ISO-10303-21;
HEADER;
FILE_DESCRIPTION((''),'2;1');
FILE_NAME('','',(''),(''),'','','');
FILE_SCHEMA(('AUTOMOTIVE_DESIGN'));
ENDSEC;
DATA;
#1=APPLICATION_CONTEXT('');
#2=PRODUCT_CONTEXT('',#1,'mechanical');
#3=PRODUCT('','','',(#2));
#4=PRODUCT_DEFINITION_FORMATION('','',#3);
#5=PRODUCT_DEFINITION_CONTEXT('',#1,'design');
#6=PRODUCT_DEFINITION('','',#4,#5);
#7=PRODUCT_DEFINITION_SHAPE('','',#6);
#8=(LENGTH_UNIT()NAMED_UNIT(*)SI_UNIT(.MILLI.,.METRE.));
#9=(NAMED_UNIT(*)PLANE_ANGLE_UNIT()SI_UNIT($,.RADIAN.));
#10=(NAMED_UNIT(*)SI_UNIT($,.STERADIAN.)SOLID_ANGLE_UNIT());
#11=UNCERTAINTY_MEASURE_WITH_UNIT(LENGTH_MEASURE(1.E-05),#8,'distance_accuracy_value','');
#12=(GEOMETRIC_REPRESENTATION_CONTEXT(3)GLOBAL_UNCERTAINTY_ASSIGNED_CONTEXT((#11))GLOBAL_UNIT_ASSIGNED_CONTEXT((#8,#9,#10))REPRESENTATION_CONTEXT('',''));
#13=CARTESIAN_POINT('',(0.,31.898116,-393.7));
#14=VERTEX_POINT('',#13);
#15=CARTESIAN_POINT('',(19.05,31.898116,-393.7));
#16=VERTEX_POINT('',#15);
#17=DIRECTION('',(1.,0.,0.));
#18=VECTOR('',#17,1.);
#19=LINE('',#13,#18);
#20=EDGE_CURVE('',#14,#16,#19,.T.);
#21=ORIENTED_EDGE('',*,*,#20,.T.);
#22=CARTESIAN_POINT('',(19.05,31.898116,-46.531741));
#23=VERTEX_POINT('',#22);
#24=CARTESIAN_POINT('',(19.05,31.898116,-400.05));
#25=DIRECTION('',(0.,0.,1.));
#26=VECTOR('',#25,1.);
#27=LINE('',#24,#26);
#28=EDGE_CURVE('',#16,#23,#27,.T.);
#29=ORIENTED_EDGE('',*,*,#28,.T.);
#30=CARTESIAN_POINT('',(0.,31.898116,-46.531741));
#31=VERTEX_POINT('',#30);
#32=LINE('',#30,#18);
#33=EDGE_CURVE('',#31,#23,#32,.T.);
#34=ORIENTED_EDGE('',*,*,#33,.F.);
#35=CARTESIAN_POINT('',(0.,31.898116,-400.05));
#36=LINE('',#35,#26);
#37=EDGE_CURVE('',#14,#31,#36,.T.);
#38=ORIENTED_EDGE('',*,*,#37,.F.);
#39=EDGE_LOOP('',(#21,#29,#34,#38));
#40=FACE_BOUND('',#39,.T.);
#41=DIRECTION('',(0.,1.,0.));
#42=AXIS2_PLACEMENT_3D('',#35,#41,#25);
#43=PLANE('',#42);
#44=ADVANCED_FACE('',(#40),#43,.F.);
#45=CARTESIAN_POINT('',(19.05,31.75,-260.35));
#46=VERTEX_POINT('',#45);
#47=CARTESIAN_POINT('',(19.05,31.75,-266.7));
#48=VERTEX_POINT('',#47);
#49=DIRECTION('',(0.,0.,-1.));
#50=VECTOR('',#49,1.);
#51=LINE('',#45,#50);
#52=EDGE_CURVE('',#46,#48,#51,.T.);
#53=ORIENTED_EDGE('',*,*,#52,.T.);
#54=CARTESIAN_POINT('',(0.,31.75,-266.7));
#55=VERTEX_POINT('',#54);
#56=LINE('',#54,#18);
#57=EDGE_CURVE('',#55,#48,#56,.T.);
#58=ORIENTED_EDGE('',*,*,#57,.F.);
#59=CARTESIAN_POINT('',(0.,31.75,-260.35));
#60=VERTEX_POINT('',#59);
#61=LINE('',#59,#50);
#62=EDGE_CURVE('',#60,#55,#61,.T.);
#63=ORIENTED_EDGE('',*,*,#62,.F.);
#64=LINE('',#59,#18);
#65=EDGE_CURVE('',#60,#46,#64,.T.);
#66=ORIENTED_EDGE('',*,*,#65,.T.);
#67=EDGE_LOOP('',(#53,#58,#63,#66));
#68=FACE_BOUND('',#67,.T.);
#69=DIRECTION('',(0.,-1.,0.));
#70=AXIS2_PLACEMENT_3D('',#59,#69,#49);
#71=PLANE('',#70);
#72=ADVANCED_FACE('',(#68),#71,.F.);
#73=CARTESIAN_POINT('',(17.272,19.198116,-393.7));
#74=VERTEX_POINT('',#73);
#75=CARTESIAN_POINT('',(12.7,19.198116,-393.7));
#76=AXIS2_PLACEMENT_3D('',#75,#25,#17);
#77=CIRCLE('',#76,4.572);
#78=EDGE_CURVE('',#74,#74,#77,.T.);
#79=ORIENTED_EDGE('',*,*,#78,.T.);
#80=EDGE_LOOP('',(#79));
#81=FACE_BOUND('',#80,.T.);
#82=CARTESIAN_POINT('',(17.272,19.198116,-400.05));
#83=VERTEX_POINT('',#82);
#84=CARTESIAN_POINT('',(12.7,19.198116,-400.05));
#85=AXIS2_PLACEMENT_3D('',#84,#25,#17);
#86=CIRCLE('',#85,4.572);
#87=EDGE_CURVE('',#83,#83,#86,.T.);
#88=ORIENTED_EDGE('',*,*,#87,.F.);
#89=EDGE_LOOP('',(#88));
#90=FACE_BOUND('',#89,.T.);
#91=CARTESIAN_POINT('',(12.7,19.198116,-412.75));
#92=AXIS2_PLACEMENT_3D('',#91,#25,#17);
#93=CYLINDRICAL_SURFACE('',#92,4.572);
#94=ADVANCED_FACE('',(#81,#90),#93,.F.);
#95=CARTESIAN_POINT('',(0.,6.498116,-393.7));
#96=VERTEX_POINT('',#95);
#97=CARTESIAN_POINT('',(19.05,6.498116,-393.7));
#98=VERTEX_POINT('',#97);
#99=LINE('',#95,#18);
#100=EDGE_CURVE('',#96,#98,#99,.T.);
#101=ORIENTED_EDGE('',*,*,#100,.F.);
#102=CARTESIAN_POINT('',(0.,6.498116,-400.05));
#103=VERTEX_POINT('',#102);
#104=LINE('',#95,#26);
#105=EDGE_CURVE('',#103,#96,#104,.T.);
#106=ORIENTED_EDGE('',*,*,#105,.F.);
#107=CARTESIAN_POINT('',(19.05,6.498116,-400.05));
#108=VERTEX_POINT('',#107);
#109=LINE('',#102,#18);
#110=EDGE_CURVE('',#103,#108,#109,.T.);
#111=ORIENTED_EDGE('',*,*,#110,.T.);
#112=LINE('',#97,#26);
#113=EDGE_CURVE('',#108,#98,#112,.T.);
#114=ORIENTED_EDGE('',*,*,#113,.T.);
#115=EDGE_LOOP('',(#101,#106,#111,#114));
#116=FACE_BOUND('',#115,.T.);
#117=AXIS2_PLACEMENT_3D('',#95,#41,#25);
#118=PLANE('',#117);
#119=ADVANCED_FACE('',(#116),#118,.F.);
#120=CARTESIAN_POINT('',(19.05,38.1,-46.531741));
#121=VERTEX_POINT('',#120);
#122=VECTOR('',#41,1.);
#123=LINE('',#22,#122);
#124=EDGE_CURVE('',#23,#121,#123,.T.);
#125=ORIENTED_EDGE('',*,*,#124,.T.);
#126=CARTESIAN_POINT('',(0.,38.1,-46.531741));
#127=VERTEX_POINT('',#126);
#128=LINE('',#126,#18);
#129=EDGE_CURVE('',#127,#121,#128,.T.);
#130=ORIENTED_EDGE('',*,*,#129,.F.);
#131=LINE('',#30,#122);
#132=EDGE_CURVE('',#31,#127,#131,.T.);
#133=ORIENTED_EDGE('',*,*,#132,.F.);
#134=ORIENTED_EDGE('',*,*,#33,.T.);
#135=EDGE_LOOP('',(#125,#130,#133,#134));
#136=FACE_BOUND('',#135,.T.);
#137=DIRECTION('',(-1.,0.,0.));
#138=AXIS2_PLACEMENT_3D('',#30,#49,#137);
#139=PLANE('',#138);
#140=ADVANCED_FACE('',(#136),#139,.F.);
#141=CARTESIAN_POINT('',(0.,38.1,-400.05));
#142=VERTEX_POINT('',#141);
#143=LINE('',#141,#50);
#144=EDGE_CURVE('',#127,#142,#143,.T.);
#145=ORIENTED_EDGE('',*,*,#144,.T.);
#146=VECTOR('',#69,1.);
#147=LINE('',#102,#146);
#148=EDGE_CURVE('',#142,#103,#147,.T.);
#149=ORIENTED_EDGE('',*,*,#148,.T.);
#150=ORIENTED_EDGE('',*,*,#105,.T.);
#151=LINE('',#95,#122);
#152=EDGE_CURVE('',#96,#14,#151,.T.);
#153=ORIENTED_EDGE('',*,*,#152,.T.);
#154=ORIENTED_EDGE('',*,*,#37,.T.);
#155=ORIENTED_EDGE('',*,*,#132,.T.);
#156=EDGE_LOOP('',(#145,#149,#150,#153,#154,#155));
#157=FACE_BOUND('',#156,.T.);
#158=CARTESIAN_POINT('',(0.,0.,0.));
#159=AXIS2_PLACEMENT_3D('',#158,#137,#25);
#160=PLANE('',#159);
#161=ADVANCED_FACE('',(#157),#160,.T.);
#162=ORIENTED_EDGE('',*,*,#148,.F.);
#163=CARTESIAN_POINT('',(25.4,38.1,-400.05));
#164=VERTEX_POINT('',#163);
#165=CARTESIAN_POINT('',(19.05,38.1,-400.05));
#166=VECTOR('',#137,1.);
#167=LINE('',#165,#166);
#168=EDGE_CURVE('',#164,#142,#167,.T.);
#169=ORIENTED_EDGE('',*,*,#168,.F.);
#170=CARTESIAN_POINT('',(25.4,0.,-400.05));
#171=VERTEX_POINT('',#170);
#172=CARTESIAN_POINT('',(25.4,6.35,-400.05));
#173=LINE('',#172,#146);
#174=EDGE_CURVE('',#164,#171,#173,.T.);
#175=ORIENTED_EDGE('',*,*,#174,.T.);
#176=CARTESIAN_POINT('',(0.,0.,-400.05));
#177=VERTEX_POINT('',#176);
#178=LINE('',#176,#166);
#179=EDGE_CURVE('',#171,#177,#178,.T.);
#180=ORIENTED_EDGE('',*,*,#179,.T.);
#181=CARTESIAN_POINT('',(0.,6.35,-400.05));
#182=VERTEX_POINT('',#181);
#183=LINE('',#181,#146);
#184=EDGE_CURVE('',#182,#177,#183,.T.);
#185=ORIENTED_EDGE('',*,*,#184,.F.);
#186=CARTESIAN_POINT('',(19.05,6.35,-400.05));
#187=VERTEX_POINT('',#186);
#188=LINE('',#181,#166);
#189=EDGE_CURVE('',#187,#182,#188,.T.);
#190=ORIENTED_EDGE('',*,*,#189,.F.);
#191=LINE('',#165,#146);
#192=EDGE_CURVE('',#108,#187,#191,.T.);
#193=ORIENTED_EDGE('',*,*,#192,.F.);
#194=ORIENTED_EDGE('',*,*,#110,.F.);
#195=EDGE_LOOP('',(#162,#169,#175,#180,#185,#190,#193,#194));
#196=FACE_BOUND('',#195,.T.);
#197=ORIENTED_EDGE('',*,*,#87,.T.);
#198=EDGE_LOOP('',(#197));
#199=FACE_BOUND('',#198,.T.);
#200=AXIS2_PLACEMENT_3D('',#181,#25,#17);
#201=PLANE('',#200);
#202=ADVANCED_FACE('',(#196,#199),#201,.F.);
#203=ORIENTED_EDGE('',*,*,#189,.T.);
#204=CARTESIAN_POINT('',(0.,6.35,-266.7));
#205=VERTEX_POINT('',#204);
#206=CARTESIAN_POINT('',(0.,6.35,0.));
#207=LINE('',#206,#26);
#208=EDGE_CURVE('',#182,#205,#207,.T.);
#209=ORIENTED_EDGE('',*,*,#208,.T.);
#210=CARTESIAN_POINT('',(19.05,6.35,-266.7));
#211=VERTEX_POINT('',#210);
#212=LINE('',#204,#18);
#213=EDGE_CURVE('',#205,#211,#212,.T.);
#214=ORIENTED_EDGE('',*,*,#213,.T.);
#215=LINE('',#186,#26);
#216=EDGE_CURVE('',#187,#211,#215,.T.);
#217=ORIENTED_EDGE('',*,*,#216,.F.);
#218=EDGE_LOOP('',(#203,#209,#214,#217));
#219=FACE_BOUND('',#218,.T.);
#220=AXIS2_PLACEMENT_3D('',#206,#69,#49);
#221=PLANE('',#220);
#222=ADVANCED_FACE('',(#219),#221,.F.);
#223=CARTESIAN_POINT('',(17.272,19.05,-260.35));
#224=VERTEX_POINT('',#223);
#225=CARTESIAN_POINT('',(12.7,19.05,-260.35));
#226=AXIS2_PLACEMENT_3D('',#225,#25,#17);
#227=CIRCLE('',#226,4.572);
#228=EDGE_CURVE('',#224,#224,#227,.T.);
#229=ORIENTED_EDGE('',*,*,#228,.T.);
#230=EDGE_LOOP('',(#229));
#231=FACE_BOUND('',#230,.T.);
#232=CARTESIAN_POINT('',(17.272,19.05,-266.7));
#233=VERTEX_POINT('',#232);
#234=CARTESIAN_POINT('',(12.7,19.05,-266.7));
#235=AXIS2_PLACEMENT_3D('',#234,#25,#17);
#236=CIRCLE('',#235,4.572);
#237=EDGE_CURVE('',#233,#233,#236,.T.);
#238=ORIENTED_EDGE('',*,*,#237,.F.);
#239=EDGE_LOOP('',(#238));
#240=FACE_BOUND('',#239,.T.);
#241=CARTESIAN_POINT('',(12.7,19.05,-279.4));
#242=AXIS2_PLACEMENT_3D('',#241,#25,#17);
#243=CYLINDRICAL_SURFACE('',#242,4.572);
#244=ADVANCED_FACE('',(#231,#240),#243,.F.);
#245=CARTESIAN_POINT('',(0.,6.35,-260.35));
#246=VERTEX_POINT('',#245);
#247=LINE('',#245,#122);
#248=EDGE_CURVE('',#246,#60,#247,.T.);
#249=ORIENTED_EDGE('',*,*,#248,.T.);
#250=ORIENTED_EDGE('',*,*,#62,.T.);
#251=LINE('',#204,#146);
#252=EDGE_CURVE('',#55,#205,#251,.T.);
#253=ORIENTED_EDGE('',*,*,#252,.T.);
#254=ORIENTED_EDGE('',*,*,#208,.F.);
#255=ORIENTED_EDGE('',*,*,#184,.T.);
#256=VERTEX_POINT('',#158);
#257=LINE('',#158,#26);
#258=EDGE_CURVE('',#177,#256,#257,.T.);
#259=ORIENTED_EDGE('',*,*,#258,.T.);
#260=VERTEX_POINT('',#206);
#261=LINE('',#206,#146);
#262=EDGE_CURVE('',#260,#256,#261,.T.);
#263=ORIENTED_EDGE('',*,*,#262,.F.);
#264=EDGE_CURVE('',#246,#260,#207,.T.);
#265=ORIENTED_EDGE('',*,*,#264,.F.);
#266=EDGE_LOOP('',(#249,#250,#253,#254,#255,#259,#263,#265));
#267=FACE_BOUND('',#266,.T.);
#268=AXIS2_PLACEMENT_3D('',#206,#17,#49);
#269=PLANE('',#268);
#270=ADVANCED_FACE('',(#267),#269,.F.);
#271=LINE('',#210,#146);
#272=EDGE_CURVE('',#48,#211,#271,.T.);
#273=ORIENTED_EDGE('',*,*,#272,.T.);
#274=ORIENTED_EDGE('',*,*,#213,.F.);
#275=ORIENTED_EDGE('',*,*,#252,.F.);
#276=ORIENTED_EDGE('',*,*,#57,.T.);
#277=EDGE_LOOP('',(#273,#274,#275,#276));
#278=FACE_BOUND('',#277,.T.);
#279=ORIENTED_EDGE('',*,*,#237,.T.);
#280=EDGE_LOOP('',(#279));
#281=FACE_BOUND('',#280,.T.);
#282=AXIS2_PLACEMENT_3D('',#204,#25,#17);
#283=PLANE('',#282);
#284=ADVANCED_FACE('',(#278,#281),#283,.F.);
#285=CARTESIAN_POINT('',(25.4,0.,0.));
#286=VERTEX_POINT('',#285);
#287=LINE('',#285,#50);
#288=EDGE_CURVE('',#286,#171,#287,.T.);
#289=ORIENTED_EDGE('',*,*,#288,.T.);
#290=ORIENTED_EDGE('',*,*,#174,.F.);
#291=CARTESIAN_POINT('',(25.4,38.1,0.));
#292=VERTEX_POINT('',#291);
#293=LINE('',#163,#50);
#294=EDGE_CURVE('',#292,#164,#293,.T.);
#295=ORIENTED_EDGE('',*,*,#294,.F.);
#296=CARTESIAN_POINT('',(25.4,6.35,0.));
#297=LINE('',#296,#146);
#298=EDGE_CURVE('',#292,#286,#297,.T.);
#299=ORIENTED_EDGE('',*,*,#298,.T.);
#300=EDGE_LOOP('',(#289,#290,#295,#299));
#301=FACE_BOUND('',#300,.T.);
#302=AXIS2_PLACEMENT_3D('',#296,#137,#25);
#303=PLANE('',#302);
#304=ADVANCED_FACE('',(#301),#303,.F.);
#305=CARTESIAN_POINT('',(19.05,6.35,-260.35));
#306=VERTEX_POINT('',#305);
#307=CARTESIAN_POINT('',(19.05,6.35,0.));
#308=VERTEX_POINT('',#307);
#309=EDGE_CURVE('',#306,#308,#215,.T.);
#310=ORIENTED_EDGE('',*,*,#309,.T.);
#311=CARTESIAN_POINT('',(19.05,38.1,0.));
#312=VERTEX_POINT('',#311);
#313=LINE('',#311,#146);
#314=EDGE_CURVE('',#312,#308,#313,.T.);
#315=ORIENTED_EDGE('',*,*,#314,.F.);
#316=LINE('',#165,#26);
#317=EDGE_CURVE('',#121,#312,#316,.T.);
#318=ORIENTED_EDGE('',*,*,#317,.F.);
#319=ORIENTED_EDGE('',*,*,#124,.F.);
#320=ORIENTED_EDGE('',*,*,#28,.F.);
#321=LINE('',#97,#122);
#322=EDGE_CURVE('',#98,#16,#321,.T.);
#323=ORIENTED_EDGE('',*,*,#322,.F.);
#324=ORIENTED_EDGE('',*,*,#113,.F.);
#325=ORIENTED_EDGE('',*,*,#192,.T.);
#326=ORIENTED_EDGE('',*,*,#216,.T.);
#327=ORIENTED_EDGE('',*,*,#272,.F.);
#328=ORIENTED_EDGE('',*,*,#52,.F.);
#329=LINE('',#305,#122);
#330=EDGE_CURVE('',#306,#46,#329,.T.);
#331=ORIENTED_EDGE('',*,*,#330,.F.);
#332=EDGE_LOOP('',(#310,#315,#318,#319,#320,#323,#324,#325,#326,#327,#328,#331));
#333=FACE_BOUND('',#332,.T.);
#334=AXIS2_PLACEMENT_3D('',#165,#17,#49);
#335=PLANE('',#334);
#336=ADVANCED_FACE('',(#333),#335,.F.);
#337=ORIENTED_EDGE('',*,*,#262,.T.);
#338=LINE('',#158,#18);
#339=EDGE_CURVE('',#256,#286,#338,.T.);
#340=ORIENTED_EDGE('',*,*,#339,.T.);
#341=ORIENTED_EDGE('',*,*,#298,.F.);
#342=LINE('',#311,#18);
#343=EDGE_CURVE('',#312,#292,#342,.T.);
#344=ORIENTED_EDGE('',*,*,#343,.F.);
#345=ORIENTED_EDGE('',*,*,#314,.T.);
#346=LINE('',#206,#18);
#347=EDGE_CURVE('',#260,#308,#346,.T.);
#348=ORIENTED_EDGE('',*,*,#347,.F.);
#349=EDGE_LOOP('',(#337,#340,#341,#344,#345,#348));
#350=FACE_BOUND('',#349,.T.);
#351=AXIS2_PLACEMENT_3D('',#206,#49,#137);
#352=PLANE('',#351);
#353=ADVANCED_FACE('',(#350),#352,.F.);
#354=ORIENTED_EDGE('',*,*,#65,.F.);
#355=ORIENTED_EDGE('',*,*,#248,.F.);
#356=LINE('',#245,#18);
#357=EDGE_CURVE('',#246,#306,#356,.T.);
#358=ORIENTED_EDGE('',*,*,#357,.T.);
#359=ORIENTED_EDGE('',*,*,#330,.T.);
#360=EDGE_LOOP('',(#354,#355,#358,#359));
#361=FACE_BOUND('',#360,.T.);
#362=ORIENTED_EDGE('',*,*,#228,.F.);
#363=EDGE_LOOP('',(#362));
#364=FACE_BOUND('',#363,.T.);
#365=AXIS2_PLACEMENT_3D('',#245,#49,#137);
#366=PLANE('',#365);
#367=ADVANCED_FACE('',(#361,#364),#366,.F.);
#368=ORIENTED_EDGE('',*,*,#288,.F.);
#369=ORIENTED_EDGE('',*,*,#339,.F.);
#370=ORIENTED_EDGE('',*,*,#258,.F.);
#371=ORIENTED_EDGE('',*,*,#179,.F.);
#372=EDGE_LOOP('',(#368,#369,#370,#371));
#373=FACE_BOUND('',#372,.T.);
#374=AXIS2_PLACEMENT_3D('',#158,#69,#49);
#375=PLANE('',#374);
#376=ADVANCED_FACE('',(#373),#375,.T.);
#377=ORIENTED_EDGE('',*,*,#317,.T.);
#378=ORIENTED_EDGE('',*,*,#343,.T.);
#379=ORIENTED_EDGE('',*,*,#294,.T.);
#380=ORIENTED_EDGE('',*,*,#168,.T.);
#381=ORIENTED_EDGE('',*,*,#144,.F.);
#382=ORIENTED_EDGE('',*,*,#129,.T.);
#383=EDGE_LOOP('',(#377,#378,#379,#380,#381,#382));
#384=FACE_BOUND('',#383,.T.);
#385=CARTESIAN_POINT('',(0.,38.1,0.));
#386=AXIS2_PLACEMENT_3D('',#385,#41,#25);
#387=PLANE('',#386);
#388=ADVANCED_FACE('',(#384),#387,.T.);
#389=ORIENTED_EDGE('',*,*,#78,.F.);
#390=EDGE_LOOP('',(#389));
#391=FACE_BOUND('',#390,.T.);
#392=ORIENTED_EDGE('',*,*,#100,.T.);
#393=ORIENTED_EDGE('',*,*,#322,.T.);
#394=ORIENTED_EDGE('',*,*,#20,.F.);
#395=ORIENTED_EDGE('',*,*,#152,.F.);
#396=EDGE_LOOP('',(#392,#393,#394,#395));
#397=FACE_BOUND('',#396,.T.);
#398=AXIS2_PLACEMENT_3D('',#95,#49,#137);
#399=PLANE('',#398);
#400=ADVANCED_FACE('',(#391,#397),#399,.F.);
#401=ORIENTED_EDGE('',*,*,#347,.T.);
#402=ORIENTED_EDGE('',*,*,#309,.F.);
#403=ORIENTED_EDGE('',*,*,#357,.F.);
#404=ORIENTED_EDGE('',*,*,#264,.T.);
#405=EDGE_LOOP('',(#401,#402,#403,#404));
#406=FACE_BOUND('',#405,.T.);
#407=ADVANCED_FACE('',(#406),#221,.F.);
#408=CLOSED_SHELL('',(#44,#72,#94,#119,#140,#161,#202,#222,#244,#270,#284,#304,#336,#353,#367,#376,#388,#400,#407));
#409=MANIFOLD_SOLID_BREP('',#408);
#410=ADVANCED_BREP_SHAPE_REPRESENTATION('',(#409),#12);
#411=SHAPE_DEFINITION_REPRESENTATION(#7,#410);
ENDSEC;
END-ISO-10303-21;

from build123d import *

# Parameters (mm, degrees)
SKETCH2_W           = 25.4
SKETCH2_H           = 400.05
BOSS_EXTRUDE1_DEPTH = 6.35
SKETCH4_W           = 6.35
SKETCH4_H           = 400.05
BOSS_EXTRUDE2_DEPTH = 31.75
SKETCH10_W          = 6.35
SKETCH10_H          = 25.4
BOSS_EXTRUDE6_DEPTH = 19.05
SKETCH12_R          = 4.572
CUT_EXTRUDE3_DEPTH  = 19.05
SKETCH14_W          = 6.35
SKETCH14_H          = 25.4
BOSS_EXTRUDE7_DEPTH = 19.05
SKETCH15_R          = 4.572
CUT_EXTRUDE4_DEPTH  = 19.05
SKETCH16_W          = 353.518259368
SKETCH16_H          = 6.201883549
BOSS_EXTRUDE8_DEPTH = 19.05


with BuildPart() as part:
    # Sketch2 → Boss-Extrude1 (new body)
    with BuildSketch(Plane(origin=(0, 0, 0), x_dir=(1, 0, 0), z_dir=(0, 1, 0))):
        with Locations((12.7, 200.025)):
            Rectangle(SKETCH2_W, SKETCH2_H)
    extrude(amount=BOSS_EXTRUDE1_DEPTH)

    # Sketch4 → Boss-Extrude2 (add)
    with BuildSketch(Plane(origin=(0, 6.35, 0), x_dir=(1, 0, 0), z_dir=(0, 1, 0))):
        with Locations((22.225, 200.025)):
            Rectangle(SKETCH4_W, SKETCH4_H)
    extrude(amount=BOSS_EXTRUDE2_DEPTH)

    # Sketch10 → Boss-Extrude6 (add)
    with BuildSketch(Plane.ZY.offset(-19.05)):
        with Locations((-396.875, 19.198116451)):
            Rectangle(SKETCH10_W, SKETCH10_H)
    extrude(amount=BOSS_EXTRUDE6_DEPTH)

    # Sketch12 → Cut-Extrude3 (cut)
    with BuildSketch(Plane.XY.offset(-393.7)):
        with Locations((12.7, 19.198116451)):
            Circle(SKETCH12_R)
    extrude(amount=-CUT_EXTRUDE3_DEPTH, mode=Mode.SUBTRACT)

    # Sketch14 → Boss-Extrude7 (add)
    with BuildSketch(Plane.ZY.offset(-19.05)):
        with Locations((-263.525, 19.05)):
            Rectangle(SKETCH14_W, SKETCH14_H)
    extrude(amount=BOSS_EXTRUDE7_DEPTH)

    # Sketch15 → Cut-Extrude4 (cut)
    with BuildSketch(Plane.XY.offset(-260.35)):
        with Locations((12.7, 19.05)):
            Circle(SKETCH15_R)
    extrude(amount=-CUT_EXTRUDE4_DEPTH, mode=Mode.SUBTRACT)

    # Sketch16 → Boss-Extrude8 (add)
    with BuildSketch(Plane.ZY.offset(-19.05)):
        with Locations((-223.290870316, 34.999058226)):
            Rectangle(SKETCH16_W, SKETCH16_H)
    extrude(amount=BOSS_EXTRUDE8_DEPTH)


solid = part.part
